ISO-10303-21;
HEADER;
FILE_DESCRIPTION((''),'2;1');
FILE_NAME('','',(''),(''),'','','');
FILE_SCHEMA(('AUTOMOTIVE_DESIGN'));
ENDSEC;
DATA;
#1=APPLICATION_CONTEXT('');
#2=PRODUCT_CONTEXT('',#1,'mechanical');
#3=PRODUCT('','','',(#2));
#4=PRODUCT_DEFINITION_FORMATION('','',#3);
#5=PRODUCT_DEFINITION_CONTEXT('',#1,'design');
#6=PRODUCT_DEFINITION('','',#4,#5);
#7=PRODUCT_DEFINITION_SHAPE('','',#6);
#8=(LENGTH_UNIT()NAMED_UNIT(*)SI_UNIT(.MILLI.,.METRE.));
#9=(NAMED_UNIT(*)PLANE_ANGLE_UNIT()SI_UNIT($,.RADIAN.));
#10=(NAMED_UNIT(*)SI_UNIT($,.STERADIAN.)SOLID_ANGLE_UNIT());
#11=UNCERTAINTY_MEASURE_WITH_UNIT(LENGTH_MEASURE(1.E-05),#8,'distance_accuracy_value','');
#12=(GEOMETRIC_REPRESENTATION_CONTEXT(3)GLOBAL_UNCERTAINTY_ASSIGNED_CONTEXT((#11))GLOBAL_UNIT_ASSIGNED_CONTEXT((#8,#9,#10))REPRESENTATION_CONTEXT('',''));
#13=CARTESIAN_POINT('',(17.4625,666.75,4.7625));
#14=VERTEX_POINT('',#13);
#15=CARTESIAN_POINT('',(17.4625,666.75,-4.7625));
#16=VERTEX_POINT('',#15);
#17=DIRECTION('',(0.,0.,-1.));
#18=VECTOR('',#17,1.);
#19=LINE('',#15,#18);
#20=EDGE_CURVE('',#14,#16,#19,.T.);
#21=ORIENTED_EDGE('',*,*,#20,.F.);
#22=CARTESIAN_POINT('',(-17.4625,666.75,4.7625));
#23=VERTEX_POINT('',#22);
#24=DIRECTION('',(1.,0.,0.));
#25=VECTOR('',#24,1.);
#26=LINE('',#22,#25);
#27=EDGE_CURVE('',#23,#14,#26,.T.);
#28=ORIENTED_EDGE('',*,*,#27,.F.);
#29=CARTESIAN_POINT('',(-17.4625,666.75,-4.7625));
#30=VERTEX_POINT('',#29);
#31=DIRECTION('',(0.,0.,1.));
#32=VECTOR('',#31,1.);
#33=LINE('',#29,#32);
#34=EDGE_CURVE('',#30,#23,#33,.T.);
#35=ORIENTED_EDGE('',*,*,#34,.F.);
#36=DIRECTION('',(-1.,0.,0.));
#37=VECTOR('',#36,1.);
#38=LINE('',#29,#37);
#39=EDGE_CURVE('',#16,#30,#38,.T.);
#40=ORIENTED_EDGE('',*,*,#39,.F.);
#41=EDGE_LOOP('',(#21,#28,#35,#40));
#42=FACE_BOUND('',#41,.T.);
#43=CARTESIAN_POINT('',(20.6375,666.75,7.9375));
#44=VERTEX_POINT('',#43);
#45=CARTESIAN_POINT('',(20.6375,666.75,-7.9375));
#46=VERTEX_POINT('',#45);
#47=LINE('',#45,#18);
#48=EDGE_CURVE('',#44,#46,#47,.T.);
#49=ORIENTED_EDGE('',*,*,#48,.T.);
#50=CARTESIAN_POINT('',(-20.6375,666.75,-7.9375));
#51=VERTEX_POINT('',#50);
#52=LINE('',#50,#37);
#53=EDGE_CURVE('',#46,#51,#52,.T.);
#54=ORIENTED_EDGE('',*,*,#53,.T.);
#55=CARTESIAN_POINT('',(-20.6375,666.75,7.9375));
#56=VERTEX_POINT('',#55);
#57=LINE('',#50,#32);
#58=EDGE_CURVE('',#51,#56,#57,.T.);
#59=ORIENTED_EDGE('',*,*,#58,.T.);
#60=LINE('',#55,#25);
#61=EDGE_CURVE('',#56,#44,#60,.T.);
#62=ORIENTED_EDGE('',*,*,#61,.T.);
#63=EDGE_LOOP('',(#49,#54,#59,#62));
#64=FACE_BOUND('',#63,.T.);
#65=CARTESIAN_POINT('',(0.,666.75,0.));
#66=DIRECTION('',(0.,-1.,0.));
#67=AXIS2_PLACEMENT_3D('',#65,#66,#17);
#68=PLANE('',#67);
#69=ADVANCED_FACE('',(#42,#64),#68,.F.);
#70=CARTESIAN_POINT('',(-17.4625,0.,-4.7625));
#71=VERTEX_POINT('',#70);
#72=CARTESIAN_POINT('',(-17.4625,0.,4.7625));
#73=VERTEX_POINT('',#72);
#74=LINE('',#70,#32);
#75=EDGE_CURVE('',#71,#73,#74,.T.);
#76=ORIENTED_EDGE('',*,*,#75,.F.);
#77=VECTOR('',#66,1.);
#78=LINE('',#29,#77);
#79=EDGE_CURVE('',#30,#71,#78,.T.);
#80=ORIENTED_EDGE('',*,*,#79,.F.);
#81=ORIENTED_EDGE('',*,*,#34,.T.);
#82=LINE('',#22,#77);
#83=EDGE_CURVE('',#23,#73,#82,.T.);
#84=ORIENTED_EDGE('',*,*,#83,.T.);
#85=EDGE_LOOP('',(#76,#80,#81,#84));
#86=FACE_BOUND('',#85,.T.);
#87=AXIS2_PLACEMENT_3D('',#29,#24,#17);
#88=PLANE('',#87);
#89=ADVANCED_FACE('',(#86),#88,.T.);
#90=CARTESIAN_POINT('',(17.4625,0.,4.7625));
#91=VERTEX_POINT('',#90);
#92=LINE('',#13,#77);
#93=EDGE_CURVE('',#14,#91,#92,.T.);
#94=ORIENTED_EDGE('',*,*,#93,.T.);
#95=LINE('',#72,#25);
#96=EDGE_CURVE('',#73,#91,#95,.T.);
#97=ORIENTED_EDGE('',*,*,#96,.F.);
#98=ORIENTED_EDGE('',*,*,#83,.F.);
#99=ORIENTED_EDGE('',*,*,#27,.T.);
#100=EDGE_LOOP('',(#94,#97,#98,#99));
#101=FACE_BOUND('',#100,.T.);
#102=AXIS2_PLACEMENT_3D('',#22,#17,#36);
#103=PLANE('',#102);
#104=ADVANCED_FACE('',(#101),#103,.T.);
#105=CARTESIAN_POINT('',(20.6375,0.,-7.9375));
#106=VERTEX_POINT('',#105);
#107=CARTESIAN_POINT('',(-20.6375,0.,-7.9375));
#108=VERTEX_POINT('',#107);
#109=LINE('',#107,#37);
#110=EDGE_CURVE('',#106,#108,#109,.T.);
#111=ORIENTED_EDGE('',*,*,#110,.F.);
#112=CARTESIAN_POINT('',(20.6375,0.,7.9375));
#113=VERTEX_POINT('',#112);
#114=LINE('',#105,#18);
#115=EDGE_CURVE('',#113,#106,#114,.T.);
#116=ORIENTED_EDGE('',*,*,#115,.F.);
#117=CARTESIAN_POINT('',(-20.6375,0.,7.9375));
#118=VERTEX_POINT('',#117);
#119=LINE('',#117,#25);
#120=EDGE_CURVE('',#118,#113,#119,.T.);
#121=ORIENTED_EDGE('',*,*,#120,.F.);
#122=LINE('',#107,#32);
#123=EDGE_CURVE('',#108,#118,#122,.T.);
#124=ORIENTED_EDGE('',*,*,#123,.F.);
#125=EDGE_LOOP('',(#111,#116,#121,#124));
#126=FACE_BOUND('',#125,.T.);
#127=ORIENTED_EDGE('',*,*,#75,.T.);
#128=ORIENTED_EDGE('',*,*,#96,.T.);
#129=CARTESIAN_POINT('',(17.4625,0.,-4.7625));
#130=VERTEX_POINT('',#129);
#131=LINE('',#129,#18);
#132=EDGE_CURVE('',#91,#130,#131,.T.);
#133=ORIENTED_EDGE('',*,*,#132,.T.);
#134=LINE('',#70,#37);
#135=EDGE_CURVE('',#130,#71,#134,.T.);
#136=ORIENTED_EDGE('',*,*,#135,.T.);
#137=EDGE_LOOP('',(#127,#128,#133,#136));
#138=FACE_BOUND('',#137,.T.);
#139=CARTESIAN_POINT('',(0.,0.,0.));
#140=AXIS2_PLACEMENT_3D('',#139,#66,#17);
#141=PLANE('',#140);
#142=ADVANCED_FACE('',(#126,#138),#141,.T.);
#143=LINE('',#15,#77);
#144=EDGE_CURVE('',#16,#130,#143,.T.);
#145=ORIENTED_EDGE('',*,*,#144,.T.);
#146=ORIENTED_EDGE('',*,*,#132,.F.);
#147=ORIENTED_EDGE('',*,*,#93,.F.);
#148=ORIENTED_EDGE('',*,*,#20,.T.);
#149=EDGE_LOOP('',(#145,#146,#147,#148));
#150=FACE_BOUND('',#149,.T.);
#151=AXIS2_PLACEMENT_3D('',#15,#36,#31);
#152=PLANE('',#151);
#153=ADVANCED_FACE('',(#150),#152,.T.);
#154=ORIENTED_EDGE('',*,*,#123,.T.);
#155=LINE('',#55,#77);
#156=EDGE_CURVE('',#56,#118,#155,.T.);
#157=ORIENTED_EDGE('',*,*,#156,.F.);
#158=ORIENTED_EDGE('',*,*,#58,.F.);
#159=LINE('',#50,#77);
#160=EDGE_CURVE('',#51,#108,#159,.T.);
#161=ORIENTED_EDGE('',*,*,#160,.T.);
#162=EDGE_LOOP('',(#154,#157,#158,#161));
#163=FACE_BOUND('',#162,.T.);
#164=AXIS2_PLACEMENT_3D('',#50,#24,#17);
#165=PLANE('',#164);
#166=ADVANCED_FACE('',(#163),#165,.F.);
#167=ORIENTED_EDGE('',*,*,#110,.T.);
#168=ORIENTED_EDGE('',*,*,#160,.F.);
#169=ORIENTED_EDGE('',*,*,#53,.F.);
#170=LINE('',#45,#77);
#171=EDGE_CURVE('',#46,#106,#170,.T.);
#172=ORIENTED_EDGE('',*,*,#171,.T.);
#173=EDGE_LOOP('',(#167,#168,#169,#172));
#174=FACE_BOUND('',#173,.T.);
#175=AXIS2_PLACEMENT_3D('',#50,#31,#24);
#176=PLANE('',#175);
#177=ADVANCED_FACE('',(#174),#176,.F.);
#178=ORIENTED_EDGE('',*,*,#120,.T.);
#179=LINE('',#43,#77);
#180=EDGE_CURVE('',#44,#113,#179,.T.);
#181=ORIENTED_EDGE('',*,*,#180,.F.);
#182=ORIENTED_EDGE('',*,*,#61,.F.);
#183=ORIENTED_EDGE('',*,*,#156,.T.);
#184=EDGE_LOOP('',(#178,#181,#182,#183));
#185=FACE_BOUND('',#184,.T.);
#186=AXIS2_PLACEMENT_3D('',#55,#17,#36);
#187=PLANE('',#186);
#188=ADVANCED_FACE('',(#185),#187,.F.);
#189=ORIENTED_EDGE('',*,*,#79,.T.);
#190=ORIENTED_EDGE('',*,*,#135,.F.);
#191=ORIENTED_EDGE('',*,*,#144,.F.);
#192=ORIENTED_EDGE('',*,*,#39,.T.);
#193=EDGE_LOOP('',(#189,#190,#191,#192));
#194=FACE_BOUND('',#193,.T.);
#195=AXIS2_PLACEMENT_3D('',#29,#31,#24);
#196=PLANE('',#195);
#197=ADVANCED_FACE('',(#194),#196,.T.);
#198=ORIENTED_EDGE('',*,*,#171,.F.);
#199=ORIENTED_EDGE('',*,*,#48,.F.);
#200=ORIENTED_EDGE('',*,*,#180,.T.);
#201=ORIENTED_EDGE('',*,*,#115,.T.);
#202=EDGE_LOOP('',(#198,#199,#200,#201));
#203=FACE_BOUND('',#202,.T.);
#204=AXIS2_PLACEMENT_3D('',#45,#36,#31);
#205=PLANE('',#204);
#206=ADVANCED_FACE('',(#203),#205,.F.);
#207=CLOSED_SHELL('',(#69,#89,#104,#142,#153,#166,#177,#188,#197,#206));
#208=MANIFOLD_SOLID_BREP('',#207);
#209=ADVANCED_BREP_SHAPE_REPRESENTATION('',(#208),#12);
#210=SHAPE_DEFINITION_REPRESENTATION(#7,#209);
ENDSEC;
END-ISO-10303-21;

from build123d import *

# Parameters (mm, degrees)
SKETCH1_W           = 41.275
SKETCH1_H           = 15.875
SKETCH1_W_2         = 34.925
SKETCH1_H_2         = 9.525
BOSS_EXTRUDE1_DEPTH = 666.75


with BuildPart() as part:
    # Sketch1 → Boss-Extrude1 (new body)
    with BuildSketch(Plane(origin=(0, 0, 0), x_dir=(1, 0, 0), z_dir=(0, 1, 0))):
        Rectangle(SKETCH1_W, SKETCH1_H)
        Rectangle(SKETCH1_W_2, SKETCH1_H_2, mode=Mode.SUBTRACT)
    extrude(amount=BOSS_EXTRUDE1_DEPTH)


solid = part.part
